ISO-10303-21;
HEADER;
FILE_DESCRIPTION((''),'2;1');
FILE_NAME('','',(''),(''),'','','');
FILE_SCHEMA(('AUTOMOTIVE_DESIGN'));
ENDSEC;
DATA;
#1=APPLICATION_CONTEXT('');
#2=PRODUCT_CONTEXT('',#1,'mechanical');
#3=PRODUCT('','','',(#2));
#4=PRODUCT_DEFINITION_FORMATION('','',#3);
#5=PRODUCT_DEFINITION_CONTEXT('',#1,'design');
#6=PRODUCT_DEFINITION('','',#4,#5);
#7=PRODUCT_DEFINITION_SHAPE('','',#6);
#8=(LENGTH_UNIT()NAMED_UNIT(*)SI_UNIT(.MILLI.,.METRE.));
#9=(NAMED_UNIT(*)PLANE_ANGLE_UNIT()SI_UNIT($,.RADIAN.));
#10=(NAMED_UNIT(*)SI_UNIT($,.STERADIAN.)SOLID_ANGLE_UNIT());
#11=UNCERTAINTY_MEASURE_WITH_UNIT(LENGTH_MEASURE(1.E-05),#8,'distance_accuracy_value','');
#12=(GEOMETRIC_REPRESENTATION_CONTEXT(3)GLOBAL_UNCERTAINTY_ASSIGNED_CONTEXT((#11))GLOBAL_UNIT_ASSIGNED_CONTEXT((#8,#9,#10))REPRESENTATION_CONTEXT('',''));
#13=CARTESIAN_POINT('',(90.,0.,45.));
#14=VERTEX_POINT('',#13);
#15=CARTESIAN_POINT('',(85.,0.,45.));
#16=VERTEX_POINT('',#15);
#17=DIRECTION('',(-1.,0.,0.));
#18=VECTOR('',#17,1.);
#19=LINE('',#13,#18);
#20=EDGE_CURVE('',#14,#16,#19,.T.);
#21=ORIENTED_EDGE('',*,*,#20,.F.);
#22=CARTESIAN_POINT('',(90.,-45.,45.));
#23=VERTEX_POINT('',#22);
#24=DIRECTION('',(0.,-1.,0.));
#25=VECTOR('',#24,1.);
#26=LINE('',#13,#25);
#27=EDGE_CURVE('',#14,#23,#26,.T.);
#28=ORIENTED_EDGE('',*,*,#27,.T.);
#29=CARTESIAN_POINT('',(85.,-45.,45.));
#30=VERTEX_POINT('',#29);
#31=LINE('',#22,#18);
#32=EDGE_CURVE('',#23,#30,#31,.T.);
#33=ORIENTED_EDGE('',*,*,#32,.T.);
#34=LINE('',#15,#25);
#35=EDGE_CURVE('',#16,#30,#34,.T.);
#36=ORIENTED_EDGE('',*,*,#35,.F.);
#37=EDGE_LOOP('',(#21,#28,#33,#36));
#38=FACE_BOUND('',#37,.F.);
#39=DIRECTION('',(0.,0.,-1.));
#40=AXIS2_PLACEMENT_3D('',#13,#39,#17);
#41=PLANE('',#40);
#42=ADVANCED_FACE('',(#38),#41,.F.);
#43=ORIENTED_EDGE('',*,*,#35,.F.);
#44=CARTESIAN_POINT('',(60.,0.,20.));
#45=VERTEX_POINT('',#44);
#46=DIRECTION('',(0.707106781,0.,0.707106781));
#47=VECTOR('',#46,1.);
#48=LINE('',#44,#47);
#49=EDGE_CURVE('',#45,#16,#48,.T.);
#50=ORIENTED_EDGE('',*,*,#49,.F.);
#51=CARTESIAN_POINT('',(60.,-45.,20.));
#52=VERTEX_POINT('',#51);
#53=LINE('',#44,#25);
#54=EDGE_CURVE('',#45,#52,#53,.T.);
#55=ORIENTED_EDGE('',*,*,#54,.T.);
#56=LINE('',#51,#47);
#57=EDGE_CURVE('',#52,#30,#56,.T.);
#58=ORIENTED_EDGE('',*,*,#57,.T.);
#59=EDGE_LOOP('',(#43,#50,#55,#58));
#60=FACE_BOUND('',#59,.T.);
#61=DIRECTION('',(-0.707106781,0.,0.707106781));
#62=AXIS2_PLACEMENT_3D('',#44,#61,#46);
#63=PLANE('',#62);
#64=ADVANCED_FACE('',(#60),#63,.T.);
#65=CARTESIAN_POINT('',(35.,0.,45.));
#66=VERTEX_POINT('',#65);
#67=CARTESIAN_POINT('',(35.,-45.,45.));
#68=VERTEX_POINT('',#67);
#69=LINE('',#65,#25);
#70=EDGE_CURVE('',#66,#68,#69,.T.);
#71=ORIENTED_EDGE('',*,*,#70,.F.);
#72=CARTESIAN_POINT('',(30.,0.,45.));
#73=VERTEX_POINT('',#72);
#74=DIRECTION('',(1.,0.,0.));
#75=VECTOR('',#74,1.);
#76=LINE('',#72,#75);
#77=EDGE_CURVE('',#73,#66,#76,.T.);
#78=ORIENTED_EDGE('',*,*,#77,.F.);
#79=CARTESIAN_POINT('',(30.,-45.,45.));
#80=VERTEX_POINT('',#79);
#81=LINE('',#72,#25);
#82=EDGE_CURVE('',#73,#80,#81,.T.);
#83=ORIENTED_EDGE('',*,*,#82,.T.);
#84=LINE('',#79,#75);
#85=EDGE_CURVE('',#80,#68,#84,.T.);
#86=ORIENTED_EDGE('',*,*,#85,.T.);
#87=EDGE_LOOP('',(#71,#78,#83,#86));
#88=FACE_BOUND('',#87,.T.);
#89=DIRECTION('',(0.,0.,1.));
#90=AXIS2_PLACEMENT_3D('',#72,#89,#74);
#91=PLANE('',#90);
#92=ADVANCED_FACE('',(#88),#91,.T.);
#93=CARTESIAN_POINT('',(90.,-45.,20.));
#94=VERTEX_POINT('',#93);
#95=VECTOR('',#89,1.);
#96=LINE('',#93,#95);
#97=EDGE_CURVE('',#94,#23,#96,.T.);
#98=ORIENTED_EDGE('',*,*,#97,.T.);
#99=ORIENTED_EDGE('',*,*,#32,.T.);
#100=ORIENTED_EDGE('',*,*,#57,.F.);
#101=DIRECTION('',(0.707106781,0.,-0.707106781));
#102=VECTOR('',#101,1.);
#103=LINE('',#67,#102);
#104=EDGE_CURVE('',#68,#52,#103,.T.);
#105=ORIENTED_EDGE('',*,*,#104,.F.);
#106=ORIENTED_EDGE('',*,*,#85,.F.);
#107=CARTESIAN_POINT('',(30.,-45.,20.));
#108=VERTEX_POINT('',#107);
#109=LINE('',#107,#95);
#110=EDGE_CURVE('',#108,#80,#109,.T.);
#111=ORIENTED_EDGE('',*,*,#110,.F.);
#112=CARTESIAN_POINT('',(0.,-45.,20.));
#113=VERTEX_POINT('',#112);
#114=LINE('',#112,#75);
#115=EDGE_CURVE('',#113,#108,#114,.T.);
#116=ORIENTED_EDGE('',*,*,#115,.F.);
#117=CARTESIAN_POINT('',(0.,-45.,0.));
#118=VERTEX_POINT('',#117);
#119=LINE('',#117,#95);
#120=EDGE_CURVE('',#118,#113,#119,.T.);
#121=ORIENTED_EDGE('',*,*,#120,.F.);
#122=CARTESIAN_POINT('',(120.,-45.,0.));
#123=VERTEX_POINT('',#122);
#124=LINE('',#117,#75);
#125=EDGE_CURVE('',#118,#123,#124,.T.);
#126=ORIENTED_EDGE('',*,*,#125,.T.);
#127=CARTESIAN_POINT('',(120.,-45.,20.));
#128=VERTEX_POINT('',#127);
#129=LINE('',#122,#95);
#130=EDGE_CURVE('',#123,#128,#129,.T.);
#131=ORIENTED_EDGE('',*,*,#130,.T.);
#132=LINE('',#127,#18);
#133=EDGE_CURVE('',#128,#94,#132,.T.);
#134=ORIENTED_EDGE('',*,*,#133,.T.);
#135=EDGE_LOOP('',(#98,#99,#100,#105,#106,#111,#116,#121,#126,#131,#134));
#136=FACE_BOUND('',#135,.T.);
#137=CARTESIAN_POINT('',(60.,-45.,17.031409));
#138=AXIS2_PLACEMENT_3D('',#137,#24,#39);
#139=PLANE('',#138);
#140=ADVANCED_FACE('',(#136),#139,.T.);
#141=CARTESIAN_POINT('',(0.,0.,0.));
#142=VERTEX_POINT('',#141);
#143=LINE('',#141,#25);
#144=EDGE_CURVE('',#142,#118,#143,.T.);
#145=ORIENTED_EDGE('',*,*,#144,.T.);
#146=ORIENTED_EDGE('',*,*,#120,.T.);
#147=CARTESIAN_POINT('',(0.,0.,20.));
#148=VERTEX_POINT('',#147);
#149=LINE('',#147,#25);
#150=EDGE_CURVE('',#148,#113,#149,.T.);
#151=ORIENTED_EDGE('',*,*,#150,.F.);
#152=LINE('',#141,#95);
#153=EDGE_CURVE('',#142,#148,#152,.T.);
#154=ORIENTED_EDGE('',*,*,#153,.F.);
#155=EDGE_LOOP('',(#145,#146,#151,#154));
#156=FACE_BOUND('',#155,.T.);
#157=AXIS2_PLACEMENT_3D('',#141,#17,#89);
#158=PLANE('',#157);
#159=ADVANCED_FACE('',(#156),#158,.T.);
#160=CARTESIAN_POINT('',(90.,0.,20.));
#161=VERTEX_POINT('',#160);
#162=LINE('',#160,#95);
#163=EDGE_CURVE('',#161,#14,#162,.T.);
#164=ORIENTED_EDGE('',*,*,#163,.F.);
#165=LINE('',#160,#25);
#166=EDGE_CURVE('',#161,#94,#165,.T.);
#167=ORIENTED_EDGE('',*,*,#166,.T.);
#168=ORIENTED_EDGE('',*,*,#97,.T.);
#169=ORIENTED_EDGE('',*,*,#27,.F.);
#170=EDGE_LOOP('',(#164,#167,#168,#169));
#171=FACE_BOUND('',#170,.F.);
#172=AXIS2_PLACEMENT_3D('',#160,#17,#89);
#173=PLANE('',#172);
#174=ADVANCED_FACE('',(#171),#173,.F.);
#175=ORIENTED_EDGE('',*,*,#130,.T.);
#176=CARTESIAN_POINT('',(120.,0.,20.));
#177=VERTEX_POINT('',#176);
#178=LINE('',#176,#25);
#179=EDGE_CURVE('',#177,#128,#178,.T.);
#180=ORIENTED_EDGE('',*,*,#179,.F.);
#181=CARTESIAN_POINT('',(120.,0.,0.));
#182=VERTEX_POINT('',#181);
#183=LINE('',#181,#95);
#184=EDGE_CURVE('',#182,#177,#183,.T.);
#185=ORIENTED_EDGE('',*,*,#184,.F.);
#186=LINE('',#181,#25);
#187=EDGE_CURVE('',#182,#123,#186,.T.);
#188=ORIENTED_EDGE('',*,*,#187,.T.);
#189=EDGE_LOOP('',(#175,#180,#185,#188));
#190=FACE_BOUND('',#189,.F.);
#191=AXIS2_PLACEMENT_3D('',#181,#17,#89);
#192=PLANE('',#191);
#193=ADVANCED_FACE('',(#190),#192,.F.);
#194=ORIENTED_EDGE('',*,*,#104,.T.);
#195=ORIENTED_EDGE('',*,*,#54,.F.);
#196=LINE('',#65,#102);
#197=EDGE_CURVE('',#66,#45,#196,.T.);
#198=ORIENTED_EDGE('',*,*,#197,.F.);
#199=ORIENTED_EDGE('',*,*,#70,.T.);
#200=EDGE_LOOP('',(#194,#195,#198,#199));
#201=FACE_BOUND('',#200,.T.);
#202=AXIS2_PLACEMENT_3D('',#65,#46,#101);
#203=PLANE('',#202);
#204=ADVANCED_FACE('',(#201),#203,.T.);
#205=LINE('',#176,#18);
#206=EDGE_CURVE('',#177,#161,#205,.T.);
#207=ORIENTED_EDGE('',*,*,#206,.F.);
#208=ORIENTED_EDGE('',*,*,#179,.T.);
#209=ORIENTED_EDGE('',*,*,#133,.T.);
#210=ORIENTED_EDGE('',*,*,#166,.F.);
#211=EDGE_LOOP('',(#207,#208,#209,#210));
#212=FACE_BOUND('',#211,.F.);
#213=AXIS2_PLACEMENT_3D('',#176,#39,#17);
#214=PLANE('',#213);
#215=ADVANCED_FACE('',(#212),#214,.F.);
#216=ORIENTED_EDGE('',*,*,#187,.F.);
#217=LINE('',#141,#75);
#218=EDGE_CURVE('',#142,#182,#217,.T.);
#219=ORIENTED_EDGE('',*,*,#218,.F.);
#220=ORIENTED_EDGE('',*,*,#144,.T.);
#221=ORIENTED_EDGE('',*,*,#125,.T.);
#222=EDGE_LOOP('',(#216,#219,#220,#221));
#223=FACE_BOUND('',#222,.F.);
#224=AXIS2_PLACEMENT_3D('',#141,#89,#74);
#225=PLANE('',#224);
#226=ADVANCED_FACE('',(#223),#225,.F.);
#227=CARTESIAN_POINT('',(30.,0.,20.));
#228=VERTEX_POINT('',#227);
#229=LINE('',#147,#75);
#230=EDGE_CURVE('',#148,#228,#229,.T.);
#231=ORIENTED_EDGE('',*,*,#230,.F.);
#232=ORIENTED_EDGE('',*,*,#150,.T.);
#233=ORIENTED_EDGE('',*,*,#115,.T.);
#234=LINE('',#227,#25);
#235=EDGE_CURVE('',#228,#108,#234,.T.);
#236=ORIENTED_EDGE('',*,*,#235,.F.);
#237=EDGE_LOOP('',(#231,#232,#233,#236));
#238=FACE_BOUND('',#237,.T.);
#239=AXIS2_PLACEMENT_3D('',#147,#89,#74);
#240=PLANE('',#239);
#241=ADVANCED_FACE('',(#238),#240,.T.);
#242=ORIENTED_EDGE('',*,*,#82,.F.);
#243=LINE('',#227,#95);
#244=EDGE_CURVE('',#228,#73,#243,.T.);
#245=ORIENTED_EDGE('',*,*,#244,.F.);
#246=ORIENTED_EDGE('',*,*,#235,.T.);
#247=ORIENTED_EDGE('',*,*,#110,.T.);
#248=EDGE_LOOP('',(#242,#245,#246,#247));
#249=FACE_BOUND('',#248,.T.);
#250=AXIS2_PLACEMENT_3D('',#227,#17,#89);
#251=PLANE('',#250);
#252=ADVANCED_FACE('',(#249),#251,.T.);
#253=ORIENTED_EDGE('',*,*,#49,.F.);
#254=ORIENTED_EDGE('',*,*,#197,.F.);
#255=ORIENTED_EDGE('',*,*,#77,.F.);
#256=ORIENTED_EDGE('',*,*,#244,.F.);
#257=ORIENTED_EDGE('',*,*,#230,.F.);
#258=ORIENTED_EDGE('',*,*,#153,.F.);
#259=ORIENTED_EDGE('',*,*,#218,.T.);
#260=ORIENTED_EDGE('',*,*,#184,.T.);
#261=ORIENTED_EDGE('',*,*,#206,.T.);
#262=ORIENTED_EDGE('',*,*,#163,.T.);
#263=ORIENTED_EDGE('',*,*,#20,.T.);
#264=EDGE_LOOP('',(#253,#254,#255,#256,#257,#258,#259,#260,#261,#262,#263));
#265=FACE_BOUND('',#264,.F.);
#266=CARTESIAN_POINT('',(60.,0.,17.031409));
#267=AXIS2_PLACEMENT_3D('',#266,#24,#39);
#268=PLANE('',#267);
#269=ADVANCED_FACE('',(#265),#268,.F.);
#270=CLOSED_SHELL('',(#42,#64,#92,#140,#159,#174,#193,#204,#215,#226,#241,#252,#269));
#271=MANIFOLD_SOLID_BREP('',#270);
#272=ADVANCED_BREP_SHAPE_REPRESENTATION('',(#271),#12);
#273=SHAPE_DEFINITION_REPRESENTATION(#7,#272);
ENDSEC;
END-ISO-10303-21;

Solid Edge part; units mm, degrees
sketch "Sketch1" plane through (0, 0, 0) normal (0, -1, 0) x (1, 0, 0)
  line L0 (0, 0) -> (120, 0)
  line L1 (120, 0) -> (120, 20)
  line L2 (120, 20) -> (90, 20)
  line L3 (90, 20) -> (90, 45)
  line L4 (90, 45) -> (85, 45)
  line L5 (60, 20) -> (85, 45)
  line L6 (35, 45) -> (60, 20)
  line L7 (30, 45) -> (35, 45)
  line L8 (30, 20) -> (30, 45)
  line L9 (0, 20) -> (30, 20)
  line L10 (0, 0) -> (0, 20)
  dimension "D1" = 120
  dimension "D2" = 20
  dimension "D3" = 30
  dimension "D4" = 5
  dimension "D5" = 5
  dimension "D6" = 20
  dimension "D7" = 30
extrude "Protrusion1" add sketch "Sketch1" along normal blind 45
